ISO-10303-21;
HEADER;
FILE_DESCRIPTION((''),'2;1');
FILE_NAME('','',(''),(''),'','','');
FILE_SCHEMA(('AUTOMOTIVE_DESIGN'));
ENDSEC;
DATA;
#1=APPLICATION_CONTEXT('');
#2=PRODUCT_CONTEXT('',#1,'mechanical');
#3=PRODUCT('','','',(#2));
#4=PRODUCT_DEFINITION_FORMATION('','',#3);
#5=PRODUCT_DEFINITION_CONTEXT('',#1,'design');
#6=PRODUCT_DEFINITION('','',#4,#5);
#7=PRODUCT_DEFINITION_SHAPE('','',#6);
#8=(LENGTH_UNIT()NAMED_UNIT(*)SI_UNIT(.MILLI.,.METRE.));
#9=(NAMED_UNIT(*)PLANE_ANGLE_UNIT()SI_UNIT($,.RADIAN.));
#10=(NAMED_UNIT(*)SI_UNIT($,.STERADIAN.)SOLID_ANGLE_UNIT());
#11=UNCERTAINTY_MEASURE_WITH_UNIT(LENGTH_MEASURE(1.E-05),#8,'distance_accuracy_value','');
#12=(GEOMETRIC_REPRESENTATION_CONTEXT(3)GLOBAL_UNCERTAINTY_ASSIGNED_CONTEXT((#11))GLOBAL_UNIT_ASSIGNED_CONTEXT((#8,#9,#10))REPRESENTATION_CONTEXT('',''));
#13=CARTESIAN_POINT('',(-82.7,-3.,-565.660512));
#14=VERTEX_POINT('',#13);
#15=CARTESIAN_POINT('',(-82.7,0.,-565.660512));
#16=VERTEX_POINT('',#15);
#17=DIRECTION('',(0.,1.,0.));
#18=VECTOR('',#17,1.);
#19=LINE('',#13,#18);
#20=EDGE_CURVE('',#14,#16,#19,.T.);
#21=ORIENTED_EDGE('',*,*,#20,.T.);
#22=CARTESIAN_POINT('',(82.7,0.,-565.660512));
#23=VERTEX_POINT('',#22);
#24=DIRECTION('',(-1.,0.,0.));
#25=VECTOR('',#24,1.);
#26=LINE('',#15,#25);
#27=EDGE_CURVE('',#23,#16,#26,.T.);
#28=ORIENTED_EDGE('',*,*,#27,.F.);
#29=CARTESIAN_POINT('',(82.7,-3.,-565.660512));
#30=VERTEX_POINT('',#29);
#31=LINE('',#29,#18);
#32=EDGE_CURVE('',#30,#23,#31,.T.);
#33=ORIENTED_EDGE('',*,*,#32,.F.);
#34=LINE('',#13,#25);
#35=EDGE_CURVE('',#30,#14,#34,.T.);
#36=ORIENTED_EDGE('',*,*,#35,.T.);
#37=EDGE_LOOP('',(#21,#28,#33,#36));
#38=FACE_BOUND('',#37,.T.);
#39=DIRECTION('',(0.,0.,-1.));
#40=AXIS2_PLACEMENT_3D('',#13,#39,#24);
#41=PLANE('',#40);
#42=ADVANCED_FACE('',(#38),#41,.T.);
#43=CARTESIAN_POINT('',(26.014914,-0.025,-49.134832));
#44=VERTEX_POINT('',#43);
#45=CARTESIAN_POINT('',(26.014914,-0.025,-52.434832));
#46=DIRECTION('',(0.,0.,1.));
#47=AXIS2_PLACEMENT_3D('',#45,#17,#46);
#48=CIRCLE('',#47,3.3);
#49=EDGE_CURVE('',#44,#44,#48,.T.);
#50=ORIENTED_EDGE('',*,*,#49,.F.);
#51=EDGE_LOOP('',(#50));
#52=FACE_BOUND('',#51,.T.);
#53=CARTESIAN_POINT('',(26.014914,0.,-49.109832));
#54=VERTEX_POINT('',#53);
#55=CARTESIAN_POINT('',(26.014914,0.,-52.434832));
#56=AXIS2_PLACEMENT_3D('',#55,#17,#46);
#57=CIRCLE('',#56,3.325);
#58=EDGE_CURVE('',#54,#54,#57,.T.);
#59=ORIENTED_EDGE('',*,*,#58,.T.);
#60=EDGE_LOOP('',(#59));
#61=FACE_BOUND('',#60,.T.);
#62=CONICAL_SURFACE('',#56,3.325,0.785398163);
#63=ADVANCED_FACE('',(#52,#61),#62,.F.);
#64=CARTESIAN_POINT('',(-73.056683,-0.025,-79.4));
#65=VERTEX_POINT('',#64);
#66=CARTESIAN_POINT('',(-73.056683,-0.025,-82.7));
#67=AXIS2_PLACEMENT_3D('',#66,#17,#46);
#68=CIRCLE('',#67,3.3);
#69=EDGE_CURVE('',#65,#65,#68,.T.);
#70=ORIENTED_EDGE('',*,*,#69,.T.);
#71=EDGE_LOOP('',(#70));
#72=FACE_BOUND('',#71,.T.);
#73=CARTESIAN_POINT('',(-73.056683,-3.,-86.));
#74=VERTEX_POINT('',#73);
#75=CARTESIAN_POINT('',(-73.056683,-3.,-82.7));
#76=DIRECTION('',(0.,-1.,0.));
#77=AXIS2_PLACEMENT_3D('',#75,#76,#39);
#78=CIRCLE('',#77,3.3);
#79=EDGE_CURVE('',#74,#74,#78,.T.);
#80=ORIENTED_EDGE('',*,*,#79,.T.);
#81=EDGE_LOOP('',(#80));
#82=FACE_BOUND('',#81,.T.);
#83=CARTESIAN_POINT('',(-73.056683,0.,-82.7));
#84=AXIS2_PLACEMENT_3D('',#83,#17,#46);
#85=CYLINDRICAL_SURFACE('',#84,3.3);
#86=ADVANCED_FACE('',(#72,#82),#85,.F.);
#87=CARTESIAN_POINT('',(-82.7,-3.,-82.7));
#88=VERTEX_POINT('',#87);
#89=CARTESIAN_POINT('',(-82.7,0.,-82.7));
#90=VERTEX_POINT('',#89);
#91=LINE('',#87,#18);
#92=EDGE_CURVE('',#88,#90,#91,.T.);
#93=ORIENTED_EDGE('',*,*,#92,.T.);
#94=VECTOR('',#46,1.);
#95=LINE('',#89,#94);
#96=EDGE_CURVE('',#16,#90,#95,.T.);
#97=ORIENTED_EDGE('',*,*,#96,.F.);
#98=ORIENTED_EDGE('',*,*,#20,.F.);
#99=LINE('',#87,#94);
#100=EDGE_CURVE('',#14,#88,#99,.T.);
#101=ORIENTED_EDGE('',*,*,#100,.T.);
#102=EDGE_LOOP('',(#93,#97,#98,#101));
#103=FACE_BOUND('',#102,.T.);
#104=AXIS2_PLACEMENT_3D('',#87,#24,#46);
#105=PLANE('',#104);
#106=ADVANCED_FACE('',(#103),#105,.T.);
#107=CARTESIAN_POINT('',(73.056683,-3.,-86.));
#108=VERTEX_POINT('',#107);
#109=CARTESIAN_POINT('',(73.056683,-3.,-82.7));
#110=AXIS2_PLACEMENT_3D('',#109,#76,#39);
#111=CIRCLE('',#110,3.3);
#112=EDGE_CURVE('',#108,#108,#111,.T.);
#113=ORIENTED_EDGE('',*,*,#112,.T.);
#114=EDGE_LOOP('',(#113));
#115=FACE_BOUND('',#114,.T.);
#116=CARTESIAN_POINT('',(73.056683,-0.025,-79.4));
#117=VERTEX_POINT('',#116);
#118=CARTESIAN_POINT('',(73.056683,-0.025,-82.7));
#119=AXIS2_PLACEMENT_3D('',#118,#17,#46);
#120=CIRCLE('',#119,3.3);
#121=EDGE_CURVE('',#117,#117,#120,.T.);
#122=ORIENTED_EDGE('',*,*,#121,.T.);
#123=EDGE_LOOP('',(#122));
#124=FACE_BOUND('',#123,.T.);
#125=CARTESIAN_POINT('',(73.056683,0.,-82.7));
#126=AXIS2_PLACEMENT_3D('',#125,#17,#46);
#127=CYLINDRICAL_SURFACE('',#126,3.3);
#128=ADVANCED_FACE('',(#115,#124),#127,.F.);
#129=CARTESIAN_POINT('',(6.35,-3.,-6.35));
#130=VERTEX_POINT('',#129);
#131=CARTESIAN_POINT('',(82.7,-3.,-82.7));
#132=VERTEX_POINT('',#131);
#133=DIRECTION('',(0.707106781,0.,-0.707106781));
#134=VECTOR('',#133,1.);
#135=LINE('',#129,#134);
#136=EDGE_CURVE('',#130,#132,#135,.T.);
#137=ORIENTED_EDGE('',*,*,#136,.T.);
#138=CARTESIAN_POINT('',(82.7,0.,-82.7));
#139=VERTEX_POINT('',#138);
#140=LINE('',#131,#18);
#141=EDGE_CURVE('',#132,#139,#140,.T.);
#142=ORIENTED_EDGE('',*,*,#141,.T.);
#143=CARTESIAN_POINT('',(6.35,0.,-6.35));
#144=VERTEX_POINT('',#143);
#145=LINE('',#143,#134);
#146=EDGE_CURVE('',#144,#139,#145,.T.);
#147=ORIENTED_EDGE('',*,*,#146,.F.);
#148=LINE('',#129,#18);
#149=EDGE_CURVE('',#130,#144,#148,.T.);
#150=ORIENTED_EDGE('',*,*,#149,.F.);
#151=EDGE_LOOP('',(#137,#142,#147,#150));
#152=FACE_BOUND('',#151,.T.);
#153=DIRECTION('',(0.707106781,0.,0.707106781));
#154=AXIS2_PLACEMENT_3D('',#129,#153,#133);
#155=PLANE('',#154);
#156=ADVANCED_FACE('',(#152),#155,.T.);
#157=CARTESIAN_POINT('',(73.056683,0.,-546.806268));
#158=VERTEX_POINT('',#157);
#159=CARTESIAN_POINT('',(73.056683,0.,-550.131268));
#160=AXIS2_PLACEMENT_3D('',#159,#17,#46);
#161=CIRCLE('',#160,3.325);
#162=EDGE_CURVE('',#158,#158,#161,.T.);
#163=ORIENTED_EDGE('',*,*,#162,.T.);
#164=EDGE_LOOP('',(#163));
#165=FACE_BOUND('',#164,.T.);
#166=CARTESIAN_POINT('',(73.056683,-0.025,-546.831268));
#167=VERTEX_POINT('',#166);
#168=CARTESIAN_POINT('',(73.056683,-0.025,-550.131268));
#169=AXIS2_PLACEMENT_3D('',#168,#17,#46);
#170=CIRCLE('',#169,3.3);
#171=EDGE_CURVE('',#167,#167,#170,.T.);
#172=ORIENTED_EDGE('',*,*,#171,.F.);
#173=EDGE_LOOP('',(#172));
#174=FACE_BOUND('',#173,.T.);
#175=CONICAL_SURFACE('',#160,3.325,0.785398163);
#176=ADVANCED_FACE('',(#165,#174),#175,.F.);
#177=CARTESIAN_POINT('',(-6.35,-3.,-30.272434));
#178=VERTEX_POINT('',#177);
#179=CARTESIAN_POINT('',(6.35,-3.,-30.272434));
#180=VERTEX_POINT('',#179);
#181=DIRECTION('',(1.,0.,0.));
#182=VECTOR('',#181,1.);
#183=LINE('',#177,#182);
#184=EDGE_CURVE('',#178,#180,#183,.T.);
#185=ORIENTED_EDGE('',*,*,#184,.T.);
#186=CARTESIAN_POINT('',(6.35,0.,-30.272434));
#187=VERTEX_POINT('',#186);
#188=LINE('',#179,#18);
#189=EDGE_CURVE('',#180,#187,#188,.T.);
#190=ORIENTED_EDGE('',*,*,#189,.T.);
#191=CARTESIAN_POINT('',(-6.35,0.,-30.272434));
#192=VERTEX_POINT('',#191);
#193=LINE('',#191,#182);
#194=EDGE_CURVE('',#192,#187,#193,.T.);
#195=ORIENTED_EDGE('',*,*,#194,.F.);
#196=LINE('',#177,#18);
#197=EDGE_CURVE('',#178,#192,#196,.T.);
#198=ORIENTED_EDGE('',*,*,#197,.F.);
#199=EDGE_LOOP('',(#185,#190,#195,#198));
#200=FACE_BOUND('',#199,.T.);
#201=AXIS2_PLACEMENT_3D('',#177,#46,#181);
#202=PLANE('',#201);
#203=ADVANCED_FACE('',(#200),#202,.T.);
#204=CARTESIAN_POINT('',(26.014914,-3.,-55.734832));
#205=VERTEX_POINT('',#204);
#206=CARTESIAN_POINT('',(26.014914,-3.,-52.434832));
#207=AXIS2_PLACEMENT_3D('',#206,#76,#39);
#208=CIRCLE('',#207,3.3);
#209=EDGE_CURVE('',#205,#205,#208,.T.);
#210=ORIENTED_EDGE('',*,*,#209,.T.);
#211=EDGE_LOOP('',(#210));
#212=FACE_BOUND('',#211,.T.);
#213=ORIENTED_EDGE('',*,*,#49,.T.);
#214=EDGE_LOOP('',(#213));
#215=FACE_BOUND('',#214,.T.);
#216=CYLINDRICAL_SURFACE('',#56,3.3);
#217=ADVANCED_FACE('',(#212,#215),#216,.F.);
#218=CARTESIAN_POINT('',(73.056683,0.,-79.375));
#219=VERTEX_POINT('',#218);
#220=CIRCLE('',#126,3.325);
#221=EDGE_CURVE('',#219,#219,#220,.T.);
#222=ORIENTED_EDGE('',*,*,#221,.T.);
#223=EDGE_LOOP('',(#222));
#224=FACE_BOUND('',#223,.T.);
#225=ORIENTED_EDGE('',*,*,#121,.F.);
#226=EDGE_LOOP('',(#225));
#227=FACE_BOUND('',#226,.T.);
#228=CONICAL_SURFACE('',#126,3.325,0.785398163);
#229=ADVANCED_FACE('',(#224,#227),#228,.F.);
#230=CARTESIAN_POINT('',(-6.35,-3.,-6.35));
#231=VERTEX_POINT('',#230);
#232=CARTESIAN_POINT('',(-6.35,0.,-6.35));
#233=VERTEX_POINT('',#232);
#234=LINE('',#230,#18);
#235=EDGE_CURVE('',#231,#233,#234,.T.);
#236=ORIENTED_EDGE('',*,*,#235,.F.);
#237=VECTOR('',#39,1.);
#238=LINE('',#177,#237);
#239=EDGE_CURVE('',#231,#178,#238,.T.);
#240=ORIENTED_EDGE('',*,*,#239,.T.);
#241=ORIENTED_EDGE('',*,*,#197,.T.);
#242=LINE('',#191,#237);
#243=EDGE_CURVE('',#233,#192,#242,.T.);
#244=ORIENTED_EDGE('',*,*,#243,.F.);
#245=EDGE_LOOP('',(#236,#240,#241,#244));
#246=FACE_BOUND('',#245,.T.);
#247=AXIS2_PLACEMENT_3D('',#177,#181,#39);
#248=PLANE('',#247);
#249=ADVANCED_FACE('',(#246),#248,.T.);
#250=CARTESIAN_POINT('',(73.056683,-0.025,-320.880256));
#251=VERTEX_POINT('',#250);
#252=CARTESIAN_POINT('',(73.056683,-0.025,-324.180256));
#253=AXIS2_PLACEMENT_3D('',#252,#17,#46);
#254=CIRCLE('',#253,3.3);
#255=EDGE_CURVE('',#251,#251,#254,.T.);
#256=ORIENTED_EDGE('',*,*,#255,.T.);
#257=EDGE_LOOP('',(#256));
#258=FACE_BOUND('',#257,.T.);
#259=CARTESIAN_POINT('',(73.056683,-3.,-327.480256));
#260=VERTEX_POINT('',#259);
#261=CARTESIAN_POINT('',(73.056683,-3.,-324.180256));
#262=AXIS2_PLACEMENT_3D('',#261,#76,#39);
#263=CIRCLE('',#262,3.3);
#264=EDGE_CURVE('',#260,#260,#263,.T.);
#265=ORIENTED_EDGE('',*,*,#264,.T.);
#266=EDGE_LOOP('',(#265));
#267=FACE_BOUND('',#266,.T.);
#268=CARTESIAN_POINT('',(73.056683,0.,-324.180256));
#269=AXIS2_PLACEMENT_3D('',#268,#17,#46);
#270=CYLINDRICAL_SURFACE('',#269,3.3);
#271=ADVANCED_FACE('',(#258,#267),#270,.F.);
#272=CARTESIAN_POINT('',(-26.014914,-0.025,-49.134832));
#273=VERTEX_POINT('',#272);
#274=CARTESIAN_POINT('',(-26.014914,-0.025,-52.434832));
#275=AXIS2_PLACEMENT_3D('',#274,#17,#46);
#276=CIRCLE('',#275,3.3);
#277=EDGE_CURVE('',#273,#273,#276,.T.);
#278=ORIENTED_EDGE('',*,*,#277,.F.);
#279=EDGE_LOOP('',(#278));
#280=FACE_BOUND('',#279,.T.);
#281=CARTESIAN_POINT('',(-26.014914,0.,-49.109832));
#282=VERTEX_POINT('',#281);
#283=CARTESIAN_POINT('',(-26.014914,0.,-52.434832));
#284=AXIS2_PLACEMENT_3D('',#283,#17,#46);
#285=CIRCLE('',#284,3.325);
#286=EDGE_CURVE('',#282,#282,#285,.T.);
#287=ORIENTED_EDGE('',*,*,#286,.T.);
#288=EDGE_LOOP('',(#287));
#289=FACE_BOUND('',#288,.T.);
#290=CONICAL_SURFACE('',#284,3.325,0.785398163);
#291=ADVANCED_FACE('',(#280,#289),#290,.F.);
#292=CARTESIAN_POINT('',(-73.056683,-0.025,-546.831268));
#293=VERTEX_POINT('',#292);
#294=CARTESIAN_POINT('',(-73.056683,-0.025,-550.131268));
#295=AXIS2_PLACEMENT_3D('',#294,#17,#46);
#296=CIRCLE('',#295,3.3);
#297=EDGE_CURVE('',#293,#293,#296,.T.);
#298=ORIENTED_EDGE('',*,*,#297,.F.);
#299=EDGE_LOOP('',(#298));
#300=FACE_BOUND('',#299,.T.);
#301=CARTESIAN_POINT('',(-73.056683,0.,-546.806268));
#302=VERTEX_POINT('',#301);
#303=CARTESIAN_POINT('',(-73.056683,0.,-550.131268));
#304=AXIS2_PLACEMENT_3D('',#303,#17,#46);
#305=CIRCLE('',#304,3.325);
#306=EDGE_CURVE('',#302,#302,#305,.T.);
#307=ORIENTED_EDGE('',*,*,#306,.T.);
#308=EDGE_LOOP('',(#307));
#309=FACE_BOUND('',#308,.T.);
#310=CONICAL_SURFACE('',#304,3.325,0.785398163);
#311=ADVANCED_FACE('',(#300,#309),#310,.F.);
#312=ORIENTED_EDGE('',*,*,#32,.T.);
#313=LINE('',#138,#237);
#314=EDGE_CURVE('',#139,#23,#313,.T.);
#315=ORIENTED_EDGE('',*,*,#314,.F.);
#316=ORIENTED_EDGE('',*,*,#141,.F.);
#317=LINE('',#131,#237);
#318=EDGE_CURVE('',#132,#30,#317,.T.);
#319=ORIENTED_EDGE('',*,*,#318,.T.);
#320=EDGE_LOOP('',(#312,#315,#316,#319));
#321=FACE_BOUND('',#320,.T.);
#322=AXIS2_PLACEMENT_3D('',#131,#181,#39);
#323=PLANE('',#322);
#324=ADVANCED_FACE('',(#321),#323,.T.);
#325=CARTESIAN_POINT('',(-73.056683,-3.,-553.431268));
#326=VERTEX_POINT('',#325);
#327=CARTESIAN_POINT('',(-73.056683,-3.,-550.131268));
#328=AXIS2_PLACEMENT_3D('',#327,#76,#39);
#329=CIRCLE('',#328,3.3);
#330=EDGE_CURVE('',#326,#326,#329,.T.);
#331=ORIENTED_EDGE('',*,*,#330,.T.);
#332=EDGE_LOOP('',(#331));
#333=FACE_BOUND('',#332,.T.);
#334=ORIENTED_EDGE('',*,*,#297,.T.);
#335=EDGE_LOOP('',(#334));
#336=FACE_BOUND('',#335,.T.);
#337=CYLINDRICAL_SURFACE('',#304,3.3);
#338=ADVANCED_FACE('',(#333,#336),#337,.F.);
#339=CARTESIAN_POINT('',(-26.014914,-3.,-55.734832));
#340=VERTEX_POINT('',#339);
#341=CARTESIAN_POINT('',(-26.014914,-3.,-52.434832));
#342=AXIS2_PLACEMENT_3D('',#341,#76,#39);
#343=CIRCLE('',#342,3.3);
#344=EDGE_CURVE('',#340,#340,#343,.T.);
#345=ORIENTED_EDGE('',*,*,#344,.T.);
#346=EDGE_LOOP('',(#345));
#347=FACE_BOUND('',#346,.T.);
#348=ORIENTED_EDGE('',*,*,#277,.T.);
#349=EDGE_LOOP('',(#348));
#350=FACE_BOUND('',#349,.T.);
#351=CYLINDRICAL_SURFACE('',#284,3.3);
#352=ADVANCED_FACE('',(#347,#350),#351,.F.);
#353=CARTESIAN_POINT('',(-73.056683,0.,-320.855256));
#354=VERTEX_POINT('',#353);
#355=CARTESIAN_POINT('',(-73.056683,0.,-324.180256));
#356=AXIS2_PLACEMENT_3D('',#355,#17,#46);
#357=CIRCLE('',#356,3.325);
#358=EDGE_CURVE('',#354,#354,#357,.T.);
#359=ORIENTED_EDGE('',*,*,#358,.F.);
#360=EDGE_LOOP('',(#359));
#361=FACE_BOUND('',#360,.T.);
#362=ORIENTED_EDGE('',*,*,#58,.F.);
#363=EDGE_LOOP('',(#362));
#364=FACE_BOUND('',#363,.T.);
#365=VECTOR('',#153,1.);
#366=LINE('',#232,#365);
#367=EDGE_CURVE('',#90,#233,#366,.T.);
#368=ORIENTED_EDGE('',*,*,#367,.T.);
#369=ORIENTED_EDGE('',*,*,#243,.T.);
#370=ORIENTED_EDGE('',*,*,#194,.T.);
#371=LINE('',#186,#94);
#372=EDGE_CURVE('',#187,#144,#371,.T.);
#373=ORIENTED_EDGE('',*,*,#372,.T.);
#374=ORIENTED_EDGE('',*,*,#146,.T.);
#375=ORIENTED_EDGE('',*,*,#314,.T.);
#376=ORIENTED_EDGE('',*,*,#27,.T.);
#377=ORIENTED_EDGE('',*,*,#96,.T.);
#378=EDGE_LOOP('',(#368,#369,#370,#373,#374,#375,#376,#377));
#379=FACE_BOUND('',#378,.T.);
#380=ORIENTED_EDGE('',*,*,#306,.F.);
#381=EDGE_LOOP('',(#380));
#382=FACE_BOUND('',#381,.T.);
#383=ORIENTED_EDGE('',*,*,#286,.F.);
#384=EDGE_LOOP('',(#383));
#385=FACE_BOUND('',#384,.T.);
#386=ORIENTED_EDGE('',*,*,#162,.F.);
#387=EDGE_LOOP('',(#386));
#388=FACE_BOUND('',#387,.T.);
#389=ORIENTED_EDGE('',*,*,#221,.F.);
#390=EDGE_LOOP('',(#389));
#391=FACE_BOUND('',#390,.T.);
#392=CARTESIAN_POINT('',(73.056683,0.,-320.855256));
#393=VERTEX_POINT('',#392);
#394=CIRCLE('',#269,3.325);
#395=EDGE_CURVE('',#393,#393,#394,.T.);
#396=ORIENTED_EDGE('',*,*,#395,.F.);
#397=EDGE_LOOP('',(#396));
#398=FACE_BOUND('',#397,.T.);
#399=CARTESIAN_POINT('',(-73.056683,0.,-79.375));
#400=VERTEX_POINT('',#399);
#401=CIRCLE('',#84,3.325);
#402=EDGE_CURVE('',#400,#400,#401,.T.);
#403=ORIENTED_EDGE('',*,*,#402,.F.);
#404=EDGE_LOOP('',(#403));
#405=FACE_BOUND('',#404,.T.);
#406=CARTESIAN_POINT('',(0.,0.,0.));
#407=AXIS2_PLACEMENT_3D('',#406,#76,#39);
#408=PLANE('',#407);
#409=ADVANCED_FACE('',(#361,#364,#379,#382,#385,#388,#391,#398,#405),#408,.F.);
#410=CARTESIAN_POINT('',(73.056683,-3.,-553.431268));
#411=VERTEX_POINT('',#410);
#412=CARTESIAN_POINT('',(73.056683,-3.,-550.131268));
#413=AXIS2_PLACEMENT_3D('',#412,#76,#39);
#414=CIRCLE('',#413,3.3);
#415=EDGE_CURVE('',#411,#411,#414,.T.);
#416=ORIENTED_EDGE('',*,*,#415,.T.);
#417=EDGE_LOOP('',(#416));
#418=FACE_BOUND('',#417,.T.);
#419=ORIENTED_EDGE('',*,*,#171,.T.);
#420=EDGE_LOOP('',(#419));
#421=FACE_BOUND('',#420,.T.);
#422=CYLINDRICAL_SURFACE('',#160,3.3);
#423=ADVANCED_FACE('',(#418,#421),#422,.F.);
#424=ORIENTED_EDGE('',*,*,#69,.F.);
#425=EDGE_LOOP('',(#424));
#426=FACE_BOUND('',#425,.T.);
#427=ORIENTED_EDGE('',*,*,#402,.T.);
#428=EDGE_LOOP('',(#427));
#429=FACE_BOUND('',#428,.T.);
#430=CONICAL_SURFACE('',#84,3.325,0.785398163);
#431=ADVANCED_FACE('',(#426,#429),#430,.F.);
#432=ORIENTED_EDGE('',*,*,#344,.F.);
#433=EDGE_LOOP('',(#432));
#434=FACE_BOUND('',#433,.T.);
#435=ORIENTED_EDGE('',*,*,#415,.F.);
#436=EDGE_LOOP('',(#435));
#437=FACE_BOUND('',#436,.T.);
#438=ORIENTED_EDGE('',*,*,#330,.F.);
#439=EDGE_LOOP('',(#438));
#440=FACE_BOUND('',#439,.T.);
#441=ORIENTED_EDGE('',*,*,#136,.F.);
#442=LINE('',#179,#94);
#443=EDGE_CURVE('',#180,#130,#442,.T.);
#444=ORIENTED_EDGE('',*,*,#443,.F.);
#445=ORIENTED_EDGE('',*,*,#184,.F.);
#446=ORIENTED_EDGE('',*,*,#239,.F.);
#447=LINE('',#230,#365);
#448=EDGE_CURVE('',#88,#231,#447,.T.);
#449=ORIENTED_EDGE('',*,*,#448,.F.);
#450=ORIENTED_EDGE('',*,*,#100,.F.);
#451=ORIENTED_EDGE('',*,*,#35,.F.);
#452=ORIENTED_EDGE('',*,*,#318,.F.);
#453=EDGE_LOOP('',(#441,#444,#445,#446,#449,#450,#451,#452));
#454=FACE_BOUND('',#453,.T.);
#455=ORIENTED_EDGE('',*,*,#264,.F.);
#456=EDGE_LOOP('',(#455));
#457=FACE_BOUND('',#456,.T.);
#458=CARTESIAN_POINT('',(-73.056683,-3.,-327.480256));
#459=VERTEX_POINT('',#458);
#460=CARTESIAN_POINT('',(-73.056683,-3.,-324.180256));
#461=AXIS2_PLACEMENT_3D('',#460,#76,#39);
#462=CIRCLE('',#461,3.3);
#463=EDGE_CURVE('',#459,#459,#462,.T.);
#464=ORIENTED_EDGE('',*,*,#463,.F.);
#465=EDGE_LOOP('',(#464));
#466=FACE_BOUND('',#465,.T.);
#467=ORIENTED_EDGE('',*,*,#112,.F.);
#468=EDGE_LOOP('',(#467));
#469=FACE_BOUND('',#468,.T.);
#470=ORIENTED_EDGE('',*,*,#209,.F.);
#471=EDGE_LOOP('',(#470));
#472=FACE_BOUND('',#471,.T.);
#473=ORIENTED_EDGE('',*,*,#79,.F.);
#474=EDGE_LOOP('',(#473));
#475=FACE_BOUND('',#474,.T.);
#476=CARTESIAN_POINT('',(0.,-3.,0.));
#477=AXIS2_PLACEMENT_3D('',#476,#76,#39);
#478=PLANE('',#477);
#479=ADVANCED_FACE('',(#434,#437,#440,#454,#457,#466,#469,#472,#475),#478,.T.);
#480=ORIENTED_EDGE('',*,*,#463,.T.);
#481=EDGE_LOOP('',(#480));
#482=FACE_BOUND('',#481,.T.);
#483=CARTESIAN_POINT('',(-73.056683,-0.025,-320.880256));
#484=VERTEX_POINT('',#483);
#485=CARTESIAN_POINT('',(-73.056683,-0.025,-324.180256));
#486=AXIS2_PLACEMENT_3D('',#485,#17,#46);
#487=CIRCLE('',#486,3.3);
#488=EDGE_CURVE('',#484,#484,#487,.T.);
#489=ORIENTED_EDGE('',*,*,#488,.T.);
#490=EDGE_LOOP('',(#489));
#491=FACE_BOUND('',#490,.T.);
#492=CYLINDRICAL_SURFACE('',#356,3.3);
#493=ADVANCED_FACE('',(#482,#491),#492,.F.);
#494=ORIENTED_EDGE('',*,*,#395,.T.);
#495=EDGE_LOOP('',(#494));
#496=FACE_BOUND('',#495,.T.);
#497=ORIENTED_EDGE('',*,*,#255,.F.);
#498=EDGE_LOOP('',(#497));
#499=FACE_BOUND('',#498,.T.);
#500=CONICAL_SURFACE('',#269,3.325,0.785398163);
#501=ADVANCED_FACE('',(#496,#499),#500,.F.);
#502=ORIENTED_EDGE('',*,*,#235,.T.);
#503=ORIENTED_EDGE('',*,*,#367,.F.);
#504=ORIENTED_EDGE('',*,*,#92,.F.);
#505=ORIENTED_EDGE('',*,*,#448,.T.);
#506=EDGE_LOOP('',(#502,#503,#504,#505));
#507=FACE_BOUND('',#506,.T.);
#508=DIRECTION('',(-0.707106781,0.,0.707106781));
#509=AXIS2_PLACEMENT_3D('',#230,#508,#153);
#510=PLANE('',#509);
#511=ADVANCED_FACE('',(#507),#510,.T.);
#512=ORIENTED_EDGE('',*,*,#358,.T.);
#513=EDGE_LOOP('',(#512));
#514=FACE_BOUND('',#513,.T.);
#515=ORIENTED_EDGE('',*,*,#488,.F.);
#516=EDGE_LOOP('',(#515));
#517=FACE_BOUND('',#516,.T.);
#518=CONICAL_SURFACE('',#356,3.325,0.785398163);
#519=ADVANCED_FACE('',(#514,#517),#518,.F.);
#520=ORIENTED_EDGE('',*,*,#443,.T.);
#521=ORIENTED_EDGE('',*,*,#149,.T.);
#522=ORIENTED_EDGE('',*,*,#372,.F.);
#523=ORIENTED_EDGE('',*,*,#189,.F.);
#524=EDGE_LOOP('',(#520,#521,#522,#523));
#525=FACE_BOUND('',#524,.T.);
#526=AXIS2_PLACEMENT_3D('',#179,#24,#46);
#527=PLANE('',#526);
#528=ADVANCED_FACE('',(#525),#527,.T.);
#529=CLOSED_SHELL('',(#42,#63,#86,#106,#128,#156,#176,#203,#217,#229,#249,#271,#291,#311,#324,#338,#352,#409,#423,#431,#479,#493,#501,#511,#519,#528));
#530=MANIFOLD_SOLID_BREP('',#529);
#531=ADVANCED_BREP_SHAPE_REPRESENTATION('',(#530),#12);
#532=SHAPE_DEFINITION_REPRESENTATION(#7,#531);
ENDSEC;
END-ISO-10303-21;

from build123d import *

# Parameters (mm, degrees)
BOSS_EXTRUDE1_DEPTH            = 3
M6_CLEARANCE_HOLE1_D           = 6.6
M6_CLEARANCE_HOLE1_DEPTH       = 12
M6_CLEARANCE_HOLE1_CSINK_D     = 6.65
M6_CLEARANCE_HOLE1_CSINK_ANGLE = 90
M6_CLEARANCE_HOLE1_TIP         = 1.982840043


with BuildPart() as part:
    # Sketch1 → Boss-Extrude1 (new body)
    with BuildSketch(Plane(origin=(0, 0, 0), x_dir=(1, 0, 0), z_dir=(0, 1, 0))):
        Polygon((6.35, 6.35), (82.7, 82.7), (82.7, 565.66051224), (-82.7, 565.66051224), (-82.7, 82.7), (-6.35, 6.35), (-6.35, 30.27243444), (6.35, 30.27243444), align=None)
    extrude(amount=-BOSS_EXTRUDE1_DEPTH)

    # M6 Clearance Hole1
    with Locations(Plane(origin=(-73.056682922, 0, -550.13126836), x_dir=(0, 0, 1), z_dir=(0, 1, 0))):
        with Locations((0, 0), (0, 146.113365844), (225.95101224, 0), (225.95101224, 146.113365844), (467.43126836, 146.113365844), (467.43126836, 0), (497.696436729, 47.041768684), (497.696436729, 99.07159716)):
            CounterSinkHole(M6_CLEARANCE_HOLE1_D / 2, M6_CLEARANCE_HOLE1_CSINK_D / 2, depth=M6_CLEARANCE_HOLE1_DEPTH, counter_sink_angle=M6_CLEARANCE_HOLE1_CSINK_ANGLE)
            with Locations((0, 0, -(M6_CLEARANCE_HOLE1_DEPTH + M6_CLEARANCE_HOLE1_TIP / 2))):  # 118° drill point
                Cone(0, M6_CLEARANCE_HOLE1_D / 2, M6_CLEARANCE_HOLE1_TIP, mode=Mode.SUBTRACT)


solid = part.part
